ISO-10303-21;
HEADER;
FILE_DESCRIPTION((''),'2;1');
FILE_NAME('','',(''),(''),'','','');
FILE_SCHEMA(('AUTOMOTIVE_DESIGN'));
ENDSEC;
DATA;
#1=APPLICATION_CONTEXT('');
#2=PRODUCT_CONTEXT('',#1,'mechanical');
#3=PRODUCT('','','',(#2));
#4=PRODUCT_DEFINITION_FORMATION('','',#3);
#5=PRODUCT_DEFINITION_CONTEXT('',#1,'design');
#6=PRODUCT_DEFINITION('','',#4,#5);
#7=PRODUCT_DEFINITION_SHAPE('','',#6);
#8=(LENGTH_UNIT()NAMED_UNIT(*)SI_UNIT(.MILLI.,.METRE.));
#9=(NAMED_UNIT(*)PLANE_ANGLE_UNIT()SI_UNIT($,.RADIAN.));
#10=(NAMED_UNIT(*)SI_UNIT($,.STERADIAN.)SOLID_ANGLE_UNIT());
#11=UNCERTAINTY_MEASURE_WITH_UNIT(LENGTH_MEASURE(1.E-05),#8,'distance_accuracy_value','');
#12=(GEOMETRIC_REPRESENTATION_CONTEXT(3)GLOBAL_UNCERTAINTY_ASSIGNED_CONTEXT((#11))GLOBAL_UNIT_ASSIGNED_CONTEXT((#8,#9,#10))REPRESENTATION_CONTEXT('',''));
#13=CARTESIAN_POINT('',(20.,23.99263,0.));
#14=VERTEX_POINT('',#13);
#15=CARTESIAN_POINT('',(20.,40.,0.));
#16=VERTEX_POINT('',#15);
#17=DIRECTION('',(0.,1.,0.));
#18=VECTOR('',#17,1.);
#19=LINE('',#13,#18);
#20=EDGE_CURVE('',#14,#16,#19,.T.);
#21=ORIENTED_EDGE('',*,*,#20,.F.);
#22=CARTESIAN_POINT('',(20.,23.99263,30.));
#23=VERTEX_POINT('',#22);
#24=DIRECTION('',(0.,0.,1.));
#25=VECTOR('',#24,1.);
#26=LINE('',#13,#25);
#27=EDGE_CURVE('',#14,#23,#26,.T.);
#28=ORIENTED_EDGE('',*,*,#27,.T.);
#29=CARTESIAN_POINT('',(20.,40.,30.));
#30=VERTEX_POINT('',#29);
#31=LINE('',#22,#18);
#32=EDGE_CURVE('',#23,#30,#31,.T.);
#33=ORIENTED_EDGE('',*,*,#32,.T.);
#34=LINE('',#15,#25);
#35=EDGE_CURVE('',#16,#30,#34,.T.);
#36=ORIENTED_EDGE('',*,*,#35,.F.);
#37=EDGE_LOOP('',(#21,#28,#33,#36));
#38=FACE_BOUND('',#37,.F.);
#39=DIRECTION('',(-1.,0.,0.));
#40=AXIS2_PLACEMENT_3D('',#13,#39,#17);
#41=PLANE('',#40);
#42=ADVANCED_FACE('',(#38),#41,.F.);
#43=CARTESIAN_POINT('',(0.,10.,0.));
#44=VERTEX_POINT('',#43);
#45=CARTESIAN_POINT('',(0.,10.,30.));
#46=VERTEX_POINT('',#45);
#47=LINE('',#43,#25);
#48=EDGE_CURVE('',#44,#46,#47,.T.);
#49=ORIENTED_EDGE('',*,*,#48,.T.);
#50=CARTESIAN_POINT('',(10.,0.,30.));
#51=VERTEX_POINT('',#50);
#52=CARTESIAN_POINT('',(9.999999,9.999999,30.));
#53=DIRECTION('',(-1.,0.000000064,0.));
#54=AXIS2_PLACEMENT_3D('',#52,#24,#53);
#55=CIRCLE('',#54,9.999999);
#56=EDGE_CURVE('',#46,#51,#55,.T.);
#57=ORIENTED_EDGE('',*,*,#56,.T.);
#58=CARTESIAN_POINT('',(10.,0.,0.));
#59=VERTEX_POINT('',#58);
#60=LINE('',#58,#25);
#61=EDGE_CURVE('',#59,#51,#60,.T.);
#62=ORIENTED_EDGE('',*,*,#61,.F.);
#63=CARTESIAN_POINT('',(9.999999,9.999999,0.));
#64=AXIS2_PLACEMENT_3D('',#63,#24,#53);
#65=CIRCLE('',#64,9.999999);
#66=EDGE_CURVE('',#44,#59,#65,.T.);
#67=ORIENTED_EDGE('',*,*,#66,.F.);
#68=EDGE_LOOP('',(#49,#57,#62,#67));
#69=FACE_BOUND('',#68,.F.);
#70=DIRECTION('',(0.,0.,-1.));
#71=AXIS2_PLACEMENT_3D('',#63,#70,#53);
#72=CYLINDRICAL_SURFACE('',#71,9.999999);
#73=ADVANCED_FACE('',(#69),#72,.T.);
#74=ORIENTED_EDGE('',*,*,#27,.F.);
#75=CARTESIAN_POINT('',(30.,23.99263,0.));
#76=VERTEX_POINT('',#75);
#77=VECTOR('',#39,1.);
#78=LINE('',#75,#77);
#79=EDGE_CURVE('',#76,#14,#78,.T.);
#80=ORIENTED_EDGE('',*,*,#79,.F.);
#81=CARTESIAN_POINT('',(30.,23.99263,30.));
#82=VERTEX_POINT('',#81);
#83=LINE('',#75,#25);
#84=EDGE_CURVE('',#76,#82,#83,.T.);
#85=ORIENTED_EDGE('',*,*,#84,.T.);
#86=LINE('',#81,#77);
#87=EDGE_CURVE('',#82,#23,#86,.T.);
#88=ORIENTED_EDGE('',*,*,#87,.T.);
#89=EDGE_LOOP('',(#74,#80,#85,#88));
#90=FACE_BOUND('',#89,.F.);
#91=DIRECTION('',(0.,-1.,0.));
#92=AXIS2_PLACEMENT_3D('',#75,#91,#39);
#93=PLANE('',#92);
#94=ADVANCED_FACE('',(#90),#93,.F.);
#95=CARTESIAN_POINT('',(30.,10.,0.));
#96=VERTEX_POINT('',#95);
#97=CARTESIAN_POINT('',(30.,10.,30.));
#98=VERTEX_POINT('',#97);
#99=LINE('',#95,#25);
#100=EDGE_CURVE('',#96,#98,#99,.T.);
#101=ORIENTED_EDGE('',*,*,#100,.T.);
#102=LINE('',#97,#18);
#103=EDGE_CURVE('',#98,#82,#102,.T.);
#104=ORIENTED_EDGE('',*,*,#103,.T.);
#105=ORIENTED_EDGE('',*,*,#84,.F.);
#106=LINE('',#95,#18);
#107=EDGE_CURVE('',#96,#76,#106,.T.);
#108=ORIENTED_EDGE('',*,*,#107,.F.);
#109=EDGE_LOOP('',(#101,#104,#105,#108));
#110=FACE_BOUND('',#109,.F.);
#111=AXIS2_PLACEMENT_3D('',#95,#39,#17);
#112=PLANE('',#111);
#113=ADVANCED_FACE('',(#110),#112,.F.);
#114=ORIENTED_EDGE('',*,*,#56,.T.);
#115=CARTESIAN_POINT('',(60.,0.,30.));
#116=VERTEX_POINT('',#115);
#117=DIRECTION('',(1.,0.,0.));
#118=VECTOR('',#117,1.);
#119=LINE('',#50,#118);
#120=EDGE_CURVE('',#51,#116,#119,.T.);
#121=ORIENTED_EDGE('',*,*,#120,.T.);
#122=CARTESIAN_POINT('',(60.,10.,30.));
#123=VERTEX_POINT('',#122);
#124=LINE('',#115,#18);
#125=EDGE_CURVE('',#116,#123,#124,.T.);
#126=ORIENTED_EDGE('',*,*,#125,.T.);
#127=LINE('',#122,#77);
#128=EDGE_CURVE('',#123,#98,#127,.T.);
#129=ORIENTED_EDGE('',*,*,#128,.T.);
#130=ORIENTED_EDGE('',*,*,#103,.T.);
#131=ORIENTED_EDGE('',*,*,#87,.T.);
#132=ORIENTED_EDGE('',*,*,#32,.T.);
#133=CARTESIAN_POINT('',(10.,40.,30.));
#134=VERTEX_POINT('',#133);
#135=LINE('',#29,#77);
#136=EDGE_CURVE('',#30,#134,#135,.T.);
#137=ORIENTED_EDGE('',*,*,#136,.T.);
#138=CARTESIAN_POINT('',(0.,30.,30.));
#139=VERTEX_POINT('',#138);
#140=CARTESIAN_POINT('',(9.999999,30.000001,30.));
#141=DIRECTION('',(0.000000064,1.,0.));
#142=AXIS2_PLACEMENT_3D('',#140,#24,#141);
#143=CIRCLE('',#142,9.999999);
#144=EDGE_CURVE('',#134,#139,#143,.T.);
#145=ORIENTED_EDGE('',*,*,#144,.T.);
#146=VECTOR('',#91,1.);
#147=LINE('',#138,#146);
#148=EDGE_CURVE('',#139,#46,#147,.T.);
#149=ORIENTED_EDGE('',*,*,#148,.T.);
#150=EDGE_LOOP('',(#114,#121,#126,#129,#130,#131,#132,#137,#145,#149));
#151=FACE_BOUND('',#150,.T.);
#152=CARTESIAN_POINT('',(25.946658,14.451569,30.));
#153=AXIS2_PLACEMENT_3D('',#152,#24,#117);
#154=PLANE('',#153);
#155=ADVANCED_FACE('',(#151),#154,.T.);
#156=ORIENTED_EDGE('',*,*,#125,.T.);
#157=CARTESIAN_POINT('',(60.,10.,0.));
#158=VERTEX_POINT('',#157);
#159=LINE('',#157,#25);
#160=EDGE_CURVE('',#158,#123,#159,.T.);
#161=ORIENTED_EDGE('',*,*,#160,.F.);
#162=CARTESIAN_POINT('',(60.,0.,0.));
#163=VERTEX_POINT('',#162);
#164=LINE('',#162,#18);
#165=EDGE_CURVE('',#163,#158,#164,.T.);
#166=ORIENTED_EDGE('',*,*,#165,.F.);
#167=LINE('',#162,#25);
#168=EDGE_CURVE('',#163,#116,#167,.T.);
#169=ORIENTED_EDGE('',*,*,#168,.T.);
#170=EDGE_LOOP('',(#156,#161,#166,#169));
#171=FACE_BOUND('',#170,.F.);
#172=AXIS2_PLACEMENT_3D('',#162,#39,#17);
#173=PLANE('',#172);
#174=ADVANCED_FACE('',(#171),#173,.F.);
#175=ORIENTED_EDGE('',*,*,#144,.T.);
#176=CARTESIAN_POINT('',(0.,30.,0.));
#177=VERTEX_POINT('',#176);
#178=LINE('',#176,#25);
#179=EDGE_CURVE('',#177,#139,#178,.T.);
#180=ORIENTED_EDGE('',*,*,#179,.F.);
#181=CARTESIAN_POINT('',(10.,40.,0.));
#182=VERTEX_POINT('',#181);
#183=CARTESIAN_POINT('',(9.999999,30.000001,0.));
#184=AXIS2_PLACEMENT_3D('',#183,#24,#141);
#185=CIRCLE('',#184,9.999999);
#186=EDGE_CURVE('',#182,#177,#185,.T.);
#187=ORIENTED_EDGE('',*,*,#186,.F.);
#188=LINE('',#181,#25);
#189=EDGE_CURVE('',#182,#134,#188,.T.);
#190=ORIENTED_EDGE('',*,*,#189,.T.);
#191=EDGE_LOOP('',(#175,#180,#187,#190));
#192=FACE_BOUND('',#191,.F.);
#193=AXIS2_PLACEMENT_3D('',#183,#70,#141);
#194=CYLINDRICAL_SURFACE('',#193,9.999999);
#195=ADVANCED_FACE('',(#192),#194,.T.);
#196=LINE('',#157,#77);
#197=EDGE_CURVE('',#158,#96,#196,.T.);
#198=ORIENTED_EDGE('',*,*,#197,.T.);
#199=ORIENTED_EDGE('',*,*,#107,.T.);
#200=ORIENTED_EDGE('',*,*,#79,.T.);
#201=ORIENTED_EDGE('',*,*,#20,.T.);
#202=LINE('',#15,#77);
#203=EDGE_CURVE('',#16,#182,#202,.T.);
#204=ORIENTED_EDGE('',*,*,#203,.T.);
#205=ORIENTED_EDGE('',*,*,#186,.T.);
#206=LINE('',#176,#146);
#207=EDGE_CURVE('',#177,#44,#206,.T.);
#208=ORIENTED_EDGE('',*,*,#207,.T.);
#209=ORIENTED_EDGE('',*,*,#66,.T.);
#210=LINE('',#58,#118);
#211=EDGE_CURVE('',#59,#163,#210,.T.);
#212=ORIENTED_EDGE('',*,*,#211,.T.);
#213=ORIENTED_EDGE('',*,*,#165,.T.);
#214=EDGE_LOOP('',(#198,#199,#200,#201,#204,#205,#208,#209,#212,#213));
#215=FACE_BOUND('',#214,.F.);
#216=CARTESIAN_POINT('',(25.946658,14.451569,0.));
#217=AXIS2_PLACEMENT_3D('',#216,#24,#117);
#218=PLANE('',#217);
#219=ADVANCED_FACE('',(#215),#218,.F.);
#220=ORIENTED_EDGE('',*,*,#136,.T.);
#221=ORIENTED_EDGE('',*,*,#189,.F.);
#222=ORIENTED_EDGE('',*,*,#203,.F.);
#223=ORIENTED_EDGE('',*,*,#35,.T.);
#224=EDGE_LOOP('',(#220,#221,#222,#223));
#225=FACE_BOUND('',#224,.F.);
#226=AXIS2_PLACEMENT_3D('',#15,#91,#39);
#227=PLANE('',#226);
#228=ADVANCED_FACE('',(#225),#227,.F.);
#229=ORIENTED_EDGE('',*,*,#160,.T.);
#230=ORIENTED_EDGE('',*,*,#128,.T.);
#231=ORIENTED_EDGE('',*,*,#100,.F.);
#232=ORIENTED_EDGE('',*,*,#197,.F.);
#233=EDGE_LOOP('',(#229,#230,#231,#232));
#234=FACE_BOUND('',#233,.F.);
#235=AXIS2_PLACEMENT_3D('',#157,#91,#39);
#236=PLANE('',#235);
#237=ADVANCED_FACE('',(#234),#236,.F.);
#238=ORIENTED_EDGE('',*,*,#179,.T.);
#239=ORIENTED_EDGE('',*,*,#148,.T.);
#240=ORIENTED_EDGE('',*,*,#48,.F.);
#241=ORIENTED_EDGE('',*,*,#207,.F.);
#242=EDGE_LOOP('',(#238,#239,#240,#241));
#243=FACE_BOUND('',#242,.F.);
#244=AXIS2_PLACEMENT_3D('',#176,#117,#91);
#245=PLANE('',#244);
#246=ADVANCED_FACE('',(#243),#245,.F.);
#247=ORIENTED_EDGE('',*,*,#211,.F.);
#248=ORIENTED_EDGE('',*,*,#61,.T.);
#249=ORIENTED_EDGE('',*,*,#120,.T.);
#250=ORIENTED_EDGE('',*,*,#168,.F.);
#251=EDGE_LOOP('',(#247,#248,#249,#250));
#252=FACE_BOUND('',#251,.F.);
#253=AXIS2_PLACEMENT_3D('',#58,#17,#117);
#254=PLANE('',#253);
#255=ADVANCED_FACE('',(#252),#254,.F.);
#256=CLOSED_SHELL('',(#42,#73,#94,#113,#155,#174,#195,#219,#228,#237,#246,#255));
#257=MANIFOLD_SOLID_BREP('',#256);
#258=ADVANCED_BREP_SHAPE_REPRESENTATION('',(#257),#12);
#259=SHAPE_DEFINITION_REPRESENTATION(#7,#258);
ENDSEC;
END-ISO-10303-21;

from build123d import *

# Parameters (mm, degrees)
F1_DEPTH = 30


with BuildPart() as f1:
    # F0 (on Top) → F1 (new body)
    with BuildSketch(Plane.XY):
        with BuildLine():
            ThreePointArc((0, 10), (2.928932, 2.928932), (10, 0))
            Line((10, 0), (60, 0))
            Line((60, 0), (60, 10))
            Line((60, 10), (30, 10))
            Line((30, 10), (30, 23.99263))
            Line((30, 23.99263), (20, 23.99263))
            Line((20, 23.99263), (20, 40))
            Line((20, 40), (10, 40))
            ThreePointArc((10, 40), (2.928932, 37.071068), (0, 30))
            Line((0, 30), (0, 10))
        make_face()
    extrude(amount=F1_DEPTH)


solid = f1.part
